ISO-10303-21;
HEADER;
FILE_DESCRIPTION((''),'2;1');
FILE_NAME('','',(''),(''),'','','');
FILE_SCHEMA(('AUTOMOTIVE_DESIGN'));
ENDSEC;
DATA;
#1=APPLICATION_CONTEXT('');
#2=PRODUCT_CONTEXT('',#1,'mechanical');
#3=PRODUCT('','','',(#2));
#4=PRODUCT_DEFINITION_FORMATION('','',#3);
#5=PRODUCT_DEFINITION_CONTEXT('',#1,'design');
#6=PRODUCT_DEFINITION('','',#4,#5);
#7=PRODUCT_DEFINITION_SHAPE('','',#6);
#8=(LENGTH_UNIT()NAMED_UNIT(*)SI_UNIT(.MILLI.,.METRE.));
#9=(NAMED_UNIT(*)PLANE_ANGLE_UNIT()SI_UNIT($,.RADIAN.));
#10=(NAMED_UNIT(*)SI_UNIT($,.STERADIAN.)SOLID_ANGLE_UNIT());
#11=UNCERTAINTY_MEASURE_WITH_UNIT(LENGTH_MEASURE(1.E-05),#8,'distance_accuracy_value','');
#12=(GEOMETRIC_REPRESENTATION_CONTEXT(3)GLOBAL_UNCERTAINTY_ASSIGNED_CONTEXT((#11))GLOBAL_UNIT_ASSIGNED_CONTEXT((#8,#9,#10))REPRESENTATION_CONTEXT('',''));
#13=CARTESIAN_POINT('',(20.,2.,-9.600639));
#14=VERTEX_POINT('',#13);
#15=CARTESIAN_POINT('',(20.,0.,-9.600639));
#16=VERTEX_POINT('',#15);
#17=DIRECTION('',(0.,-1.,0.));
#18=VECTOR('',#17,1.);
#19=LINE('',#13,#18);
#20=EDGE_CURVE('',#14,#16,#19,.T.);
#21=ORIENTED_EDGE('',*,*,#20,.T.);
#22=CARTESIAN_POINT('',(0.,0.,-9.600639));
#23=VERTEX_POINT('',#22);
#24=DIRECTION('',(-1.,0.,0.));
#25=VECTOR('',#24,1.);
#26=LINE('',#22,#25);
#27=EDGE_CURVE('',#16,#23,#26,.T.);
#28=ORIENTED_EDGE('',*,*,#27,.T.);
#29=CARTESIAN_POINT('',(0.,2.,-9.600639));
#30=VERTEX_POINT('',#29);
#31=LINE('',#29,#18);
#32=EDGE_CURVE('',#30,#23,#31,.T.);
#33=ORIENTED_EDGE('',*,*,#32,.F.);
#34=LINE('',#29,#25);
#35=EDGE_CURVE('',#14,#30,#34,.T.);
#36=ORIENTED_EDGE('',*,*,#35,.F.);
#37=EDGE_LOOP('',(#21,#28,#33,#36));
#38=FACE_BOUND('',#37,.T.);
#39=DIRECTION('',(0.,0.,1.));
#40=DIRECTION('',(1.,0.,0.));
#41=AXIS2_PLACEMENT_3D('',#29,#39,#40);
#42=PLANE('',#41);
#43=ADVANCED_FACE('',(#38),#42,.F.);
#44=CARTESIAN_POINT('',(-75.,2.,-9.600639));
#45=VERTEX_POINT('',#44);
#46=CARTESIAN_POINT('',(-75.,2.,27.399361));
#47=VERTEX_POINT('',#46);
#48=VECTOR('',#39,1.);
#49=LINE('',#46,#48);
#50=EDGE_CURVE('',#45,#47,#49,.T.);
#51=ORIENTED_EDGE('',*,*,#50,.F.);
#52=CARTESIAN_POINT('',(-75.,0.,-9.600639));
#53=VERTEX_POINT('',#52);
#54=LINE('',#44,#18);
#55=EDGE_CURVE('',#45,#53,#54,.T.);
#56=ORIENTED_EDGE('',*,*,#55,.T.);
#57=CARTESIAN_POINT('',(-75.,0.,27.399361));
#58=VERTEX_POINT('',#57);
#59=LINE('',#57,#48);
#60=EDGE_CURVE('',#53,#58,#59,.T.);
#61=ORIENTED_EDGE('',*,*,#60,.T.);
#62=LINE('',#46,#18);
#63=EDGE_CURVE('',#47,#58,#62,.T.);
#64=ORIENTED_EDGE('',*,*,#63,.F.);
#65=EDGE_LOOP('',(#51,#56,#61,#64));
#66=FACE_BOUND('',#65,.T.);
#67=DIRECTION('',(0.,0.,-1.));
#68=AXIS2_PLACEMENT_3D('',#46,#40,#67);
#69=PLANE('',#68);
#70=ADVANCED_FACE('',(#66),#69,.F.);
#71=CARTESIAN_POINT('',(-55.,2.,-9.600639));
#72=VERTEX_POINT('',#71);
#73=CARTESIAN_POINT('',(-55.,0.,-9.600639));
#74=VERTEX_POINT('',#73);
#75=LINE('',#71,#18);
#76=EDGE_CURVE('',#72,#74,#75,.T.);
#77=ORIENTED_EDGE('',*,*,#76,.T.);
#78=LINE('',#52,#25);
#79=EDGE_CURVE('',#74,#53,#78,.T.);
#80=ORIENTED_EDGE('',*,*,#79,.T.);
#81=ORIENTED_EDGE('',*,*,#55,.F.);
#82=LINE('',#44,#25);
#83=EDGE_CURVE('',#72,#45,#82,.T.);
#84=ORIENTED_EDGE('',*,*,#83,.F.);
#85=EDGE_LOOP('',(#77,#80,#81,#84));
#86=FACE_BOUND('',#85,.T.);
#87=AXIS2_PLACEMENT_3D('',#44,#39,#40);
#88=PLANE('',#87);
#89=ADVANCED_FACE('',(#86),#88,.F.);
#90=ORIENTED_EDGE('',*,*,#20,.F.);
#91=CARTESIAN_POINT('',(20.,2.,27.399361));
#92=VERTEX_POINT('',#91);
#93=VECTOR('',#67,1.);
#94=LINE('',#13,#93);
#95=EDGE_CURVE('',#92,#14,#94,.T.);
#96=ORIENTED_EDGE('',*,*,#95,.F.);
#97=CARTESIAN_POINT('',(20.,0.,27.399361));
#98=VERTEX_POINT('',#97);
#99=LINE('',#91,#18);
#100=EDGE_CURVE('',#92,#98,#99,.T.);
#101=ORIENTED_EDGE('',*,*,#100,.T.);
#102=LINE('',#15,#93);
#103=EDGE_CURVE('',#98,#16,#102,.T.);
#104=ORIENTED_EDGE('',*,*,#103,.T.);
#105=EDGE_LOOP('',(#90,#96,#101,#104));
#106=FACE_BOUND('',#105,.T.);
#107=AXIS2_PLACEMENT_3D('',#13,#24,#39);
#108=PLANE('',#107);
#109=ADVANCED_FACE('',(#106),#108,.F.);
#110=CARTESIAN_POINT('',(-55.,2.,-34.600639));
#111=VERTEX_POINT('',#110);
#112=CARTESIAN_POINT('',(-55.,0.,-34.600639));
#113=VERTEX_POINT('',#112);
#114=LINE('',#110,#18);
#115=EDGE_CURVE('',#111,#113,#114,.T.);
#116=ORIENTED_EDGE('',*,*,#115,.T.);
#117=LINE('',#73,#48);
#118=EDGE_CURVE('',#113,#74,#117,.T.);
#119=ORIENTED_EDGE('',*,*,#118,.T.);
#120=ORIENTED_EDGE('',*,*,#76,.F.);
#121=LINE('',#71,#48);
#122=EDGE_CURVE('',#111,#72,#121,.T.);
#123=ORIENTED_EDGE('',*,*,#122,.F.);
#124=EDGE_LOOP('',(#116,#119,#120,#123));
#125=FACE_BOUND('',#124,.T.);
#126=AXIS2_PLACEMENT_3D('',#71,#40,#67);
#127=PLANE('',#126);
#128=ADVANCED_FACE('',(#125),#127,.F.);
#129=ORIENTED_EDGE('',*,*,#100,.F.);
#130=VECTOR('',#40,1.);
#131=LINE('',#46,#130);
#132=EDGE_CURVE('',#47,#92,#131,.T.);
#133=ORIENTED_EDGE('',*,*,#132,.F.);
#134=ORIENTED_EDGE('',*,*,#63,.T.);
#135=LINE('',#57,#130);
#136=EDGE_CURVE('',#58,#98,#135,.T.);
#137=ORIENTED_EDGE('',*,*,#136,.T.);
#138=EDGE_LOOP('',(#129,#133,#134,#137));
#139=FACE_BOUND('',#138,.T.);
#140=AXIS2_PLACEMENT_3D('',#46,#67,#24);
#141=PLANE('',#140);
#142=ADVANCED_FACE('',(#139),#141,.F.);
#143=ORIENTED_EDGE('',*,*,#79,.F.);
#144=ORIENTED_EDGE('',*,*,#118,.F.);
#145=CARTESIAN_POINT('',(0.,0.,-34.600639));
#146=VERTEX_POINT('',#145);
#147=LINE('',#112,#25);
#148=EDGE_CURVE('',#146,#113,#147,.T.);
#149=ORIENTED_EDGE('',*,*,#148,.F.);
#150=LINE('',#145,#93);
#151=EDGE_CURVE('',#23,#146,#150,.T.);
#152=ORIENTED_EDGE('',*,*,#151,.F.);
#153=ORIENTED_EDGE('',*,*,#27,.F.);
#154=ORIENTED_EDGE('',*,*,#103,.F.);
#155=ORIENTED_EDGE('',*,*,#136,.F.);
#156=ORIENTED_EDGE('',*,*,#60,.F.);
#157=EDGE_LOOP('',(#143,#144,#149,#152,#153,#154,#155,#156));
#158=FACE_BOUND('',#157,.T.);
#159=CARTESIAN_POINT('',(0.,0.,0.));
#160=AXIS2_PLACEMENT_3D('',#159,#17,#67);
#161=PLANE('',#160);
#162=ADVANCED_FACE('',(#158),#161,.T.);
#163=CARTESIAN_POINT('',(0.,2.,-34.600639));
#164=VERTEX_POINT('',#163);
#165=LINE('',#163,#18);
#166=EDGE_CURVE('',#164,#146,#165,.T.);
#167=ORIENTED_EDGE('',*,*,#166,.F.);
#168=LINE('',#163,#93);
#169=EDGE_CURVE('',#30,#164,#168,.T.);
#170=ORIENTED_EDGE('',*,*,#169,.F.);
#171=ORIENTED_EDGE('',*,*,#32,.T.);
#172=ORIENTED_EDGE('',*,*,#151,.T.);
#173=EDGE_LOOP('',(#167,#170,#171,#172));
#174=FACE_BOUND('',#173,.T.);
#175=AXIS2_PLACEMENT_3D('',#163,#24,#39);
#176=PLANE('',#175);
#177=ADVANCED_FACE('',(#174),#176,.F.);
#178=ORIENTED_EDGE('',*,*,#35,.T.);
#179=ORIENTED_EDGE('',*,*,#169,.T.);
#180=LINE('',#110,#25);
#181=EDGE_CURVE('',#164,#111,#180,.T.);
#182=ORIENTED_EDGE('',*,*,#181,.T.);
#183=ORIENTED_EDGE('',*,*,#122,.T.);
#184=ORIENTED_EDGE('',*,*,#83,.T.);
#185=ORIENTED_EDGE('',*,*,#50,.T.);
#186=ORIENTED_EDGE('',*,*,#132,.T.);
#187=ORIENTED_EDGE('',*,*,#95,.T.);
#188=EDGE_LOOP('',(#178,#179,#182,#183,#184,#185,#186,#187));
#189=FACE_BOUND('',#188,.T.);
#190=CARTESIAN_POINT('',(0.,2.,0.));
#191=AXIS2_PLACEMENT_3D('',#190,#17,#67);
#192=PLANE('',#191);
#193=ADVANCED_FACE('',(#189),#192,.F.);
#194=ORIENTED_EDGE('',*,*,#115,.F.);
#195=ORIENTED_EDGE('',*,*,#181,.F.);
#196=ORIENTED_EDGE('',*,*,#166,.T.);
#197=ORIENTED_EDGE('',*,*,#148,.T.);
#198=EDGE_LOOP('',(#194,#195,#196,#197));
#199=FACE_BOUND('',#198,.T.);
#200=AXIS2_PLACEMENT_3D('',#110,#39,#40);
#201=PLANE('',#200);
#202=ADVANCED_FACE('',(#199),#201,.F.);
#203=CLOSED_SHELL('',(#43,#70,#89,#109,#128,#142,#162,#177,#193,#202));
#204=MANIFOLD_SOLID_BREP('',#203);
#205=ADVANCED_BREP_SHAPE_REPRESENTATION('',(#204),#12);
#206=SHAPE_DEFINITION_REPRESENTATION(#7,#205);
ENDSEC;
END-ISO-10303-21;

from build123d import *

# Parameters (mm, degrees)
SALIENTE_EXTRUIR1_DEPTH = 2


with BuildPart() as part:
    # Croquis1 → Saliente-Extruir1 (new body)
    with BuildSketch(Plane(origin=(0, 0, 0), x_dir=(1, 0, 0), z_dir=(0, 1, 0))):
        Polygon((-75, -27.399361022), (20, -27.399361022), (20, 9.600638978), (0, 9.600638978), (0, 34.600638978), (-55, 34.600638978), (-55, 9.600638978), (-75, 9.600638978), align=None)
    extrude(amount=SALIENTE_EXTRUIR1_DEPTH)


solid = part.part
